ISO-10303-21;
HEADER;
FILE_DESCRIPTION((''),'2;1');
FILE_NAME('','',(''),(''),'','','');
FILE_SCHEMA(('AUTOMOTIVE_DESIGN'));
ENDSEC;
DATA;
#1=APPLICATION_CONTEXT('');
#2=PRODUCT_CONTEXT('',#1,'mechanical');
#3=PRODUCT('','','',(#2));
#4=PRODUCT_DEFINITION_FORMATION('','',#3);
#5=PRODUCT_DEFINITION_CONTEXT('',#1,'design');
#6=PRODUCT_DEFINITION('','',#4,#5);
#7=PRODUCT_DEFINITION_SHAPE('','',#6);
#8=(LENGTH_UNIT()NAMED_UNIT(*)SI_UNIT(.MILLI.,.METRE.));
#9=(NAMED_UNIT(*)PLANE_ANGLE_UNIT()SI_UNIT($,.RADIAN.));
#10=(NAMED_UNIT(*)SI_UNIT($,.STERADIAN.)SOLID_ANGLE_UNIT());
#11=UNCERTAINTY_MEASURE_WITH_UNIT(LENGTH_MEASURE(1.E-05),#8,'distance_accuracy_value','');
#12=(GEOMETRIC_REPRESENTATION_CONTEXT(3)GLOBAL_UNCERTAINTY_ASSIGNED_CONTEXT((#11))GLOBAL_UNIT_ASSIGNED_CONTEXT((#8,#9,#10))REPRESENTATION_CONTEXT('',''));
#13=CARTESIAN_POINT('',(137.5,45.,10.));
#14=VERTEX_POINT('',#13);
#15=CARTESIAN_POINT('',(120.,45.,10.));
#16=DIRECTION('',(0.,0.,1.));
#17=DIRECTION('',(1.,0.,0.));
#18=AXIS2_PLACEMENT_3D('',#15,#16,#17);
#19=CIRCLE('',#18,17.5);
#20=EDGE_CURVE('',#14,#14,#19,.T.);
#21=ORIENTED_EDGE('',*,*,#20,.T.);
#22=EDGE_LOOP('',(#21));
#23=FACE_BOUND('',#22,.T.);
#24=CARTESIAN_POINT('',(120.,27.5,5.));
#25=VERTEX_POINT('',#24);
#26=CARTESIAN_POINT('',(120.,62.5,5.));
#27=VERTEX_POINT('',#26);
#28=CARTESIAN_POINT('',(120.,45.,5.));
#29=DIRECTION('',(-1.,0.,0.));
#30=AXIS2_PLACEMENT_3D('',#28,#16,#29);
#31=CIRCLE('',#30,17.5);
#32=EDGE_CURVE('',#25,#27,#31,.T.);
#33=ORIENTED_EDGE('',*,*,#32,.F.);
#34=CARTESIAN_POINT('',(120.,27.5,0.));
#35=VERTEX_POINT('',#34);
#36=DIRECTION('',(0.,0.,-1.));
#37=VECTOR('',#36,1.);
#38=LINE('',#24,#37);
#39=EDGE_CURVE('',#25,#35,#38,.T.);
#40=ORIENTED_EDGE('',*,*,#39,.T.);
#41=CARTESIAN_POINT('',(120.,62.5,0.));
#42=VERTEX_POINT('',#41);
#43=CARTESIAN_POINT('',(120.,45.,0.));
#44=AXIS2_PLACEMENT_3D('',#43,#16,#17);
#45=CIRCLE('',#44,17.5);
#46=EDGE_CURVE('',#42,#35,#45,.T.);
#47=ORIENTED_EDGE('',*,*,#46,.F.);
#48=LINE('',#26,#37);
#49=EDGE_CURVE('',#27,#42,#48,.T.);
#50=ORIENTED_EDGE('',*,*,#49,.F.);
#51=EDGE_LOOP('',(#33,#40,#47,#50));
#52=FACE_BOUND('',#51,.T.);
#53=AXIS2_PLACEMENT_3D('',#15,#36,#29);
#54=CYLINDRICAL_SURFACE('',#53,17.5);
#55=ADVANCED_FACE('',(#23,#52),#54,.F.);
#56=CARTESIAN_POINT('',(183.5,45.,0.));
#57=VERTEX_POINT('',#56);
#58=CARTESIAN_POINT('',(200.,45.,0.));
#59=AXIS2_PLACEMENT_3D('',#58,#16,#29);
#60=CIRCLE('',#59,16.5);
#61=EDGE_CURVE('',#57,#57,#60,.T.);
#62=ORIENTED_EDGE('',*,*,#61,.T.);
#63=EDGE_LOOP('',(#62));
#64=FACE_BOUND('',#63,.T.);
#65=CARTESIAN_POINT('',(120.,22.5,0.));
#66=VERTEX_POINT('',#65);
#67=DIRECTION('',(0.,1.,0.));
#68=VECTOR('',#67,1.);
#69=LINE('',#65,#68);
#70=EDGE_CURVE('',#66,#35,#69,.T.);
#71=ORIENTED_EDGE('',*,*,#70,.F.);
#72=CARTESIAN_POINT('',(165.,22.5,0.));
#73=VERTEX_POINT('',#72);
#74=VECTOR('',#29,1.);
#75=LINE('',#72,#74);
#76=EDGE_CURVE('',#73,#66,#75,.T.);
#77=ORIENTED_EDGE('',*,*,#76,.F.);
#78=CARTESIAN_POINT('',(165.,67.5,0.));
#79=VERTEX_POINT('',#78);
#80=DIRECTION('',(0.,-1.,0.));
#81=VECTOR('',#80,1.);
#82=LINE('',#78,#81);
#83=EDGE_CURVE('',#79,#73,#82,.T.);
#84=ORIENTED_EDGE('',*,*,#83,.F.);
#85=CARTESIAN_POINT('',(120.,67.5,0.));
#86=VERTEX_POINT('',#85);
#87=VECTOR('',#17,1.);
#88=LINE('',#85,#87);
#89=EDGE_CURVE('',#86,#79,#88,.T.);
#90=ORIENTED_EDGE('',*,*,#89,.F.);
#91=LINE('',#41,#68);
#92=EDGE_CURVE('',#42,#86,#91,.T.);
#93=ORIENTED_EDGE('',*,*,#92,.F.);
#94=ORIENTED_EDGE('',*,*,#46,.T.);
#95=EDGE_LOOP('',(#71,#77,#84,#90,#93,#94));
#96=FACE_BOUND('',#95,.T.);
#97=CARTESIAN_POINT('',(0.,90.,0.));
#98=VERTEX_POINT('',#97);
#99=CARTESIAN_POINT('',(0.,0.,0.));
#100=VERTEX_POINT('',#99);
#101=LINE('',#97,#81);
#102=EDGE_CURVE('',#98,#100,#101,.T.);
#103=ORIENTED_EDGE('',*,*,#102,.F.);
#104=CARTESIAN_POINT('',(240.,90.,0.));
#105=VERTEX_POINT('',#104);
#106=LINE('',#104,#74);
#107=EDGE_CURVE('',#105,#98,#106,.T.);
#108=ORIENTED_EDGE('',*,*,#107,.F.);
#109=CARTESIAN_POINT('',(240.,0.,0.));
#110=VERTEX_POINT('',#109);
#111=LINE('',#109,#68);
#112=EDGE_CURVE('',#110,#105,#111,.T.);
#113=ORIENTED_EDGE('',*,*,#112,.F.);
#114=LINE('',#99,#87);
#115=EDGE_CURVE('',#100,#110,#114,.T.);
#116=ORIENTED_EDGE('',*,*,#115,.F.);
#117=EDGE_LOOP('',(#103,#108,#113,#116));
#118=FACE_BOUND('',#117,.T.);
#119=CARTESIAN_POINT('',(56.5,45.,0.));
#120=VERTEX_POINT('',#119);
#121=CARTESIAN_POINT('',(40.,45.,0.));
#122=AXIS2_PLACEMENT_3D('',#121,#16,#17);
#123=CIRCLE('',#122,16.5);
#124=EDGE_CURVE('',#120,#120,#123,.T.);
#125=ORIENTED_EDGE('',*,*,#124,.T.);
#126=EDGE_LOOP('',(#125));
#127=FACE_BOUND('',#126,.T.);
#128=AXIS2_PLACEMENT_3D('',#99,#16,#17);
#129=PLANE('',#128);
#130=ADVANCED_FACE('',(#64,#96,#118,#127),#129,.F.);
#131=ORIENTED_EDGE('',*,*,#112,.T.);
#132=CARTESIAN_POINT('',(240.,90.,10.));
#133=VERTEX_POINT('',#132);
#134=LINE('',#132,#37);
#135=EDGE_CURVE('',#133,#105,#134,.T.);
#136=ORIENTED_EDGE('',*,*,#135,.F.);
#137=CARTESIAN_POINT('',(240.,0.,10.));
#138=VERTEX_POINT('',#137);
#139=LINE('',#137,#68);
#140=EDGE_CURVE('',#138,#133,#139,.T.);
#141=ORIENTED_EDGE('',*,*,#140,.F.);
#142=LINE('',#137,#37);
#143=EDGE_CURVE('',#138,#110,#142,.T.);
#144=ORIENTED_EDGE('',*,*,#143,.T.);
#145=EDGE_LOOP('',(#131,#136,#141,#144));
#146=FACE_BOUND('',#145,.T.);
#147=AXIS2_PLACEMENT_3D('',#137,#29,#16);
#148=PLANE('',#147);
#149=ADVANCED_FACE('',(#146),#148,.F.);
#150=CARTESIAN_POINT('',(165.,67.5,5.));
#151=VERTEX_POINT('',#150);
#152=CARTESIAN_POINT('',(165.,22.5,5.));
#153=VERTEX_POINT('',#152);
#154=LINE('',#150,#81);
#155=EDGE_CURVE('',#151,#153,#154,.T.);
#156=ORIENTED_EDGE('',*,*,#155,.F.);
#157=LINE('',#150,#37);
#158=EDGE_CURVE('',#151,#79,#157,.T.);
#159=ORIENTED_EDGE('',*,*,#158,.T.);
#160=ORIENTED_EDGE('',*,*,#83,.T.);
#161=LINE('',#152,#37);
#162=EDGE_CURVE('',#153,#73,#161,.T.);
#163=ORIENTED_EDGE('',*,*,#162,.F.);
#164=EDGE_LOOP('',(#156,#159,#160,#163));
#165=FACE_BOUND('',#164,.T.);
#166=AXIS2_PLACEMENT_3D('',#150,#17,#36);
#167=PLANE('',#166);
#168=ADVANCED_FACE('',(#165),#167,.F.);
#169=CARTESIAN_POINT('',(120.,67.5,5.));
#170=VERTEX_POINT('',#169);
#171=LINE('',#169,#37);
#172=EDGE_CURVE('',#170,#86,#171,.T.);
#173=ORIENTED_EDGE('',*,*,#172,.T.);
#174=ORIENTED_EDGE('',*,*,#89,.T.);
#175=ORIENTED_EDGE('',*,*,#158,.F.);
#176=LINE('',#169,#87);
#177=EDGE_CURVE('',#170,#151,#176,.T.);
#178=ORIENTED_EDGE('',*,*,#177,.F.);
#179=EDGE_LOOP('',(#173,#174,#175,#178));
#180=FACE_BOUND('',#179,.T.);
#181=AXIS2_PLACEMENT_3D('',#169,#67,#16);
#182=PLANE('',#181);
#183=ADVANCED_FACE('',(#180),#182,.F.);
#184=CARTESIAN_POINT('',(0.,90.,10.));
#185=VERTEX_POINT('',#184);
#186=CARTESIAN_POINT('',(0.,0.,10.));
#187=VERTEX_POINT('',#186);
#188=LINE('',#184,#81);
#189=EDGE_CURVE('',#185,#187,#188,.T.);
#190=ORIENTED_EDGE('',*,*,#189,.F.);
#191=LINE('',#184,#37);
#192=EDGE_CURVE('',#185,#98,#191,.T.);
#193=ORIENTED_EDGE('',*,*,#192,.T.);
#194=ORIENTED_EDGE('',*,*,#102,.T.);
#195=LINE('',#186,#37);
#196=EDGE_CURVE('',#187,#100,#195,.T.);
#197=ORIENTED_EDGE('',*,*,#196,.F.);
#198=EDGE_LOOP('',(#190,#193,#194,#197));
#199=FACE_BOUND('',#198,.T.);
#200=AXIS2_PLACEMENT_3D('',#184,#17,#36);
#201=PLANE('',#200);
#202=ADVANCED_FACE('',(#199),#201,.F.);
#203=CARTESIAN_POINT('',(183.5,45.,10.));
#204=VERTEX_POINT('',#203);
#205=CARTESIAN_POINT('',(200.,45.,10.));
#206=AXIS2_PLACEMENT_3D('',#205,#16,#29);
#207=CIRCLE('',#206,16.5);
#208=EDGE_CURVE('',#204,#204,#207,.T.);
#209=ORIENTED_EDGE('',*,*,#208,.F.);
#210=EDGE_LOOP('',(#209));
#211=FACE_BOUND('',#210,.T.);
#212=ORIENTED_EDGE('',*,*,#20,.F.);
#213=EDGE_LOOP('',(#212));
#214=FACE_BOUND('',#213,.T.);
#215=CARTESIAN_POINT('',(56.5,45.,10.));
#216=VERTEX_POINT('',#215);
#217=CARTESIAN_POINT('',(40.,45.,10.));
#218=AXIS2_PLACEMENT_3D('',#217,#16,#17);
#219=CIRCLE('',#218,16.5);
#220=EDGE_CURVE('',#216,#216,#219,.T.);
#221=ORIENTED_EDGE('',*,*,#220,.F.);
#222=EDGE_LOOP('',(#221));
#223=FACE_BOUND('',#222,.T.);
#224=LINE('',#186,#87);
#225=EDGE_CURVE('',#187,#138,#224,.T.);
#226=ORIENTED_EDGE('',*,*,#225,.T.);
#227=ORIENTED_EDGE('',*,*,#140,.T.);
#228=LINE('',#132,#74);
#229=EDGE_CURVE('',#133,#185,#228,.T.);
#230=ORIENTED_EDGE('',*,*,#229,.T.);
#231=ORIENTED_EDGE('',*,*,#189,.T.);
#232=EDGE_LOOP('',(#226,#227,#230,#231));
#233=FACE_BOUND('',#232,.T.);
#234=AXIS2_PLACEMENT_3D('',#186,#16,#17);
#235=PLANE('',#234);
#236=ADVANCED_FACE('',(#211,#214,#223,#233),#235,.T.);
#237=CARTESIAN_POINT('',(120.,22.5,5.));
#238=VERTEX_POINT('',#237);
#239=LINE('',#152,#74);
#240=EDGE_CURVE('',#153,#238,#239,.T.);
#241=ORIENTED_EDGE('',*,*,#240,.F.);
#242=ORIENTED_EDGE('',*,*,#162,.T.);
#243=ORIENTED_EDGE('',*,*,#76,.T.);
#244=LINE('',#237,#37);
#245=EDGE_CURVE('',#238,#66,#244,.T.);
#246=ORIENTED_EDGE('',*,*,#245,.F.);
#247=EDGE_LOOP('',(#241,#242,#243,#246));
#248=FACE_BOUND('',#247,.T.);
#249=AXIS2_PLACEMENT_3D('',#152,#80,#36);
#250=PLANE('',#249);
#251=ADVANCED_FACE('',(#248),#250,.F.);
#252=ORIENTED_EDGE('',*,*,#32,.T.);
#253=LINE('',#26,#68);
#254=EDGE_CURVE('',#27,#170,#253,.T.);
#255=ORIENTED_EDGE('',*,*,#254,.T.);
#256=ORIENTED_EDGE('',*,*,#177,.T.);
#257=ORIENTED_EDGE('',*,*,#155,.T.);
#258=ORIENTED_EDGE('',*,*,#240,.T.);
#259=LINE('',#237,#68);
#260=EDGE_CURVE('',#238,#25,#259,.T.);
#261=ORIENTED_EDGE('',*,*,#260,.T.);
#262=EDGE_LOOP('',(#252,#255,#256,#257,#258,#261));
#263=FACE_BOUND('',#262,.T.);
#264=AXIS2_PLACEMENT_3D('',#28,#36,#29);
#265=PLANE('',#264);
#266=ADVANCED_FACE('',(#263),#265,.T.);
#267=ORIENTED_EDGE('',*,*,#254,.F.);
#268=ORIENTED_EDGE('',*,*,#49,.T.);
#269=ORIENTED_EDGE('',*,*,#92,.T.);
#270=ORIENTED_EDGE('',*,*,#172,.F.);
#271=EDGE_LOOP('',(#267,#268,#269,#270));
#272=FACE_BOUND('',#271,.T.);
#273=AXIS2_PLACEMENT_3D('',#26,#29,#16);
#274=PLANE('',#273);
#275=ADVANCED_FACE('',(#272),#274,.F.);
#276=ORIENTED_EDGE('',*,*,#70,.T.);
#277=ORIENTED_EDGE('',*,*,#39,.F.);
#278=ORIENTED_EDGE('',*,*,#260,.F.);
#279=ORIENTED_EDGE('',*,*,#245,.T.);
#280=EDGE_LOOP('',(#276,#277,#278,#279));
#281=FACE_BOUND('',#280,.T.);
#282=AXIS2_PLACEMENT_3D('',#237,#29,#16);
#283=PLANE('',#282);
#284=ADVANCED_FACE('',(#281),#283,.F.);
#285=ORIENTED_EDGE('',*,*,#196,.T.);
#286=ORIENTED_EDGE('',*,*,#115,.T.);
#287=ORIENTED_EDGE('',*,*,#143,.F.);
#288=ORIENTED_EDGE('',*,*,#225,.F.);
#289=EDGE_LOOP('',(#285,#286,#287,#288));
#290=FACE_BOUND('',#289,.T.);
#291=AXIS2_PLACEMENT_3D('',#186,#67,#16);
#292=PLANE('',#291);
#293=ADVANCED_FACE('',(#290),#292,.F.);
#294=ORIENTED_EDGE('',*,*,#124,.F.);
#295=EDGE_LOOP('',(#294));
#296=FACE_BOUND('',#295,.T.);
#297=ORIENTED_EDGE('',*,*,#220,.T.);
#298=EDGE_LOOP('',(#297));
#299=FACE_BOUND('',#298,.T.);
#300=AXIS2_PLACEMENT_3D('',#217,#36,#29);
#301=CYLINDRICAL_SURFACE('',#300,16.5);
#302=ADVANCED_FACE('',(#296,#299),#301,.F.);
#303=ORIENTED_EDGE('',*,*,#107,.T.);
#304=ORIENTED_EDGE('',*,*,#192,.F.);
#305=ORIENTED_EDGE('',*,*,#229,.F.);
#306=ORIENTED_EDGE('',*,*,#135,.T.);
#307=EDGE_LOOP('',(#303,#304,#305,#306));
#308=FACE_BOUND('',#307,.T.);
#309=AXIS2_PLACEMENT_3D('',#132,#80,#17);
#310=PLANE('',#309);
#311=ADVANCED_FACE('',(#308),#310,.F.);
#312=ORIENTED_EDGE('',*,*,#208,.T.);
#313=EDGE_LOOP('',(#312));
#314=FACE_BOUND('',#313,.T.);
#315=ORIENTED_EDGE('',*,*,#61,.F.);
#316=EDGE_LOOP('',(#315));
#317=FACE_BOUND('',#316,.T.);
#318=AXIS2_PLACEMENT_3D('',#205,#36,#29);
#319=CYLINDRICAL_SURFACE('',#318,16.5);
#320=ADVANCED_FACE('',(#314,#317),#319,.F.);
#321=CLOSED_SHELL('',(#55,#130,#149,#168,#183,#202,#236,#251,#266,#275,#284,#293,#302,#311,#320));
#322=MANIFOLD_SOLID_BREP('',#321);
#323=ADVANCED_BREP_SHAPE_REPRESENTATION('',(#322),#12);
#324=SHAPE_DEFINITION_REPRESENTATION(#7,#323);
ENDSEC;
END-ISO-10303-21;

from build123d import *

# Parameters (mm, degrees)
CROQUIS1_W              = 240
CROQUIS1_H              = 90
CROQUIS1_R              = 17.5
CROQUIS1_R_2            = 16.5
SALIENTE_EXTRUIR1_DEPTH = 10
CORTAR_EXTRUIR1_DEPTH   = 5


with BuildPart() as part:
    # Croquis1 → Saliente-Extruir1 (new body)
    with BuildSketch(Plane.XY):
        with Locations((120, 45)):
            Rectangle(CROQUIS1_W, CROQUIS1_H)
        with Locations((120, 45)):
            Circle(CROQUIS1_R, mode=Mode.SUBTRACT)
        with Locations((40, 45)):
            Circle(CROQUIS1_R_2, mode=Mode.SUBTRACT)
        with Locations(Location((200, 45, 0), (0, 0, 180))):
            Circle(CROQUIS1_R_2, mode=Mode.SUBTRACT)
    extrude(amount=SALIENTE_EXTRUIR1_DEPTH)

    # Croquis2 → Cortar-Extruir1 (cut)
    with BuildSketch(Plane(origin=(0, 0, 0), x_dir=(-1, 0, 0), z_dir=(0, 0, -1))):
        with BuildLine():
            Line((-120, 62.5), (-120, 67.5))
            Line((-120, 67.5), (-165, 67.5))
            Line((-165, 67.5), (-165, 22.5))
            Line((-165, 22.5), (-120, 22.5))
            Line((-120, 22.5), (-120, 27.5))
            ThreePointArc((-120, 27.5), (-137.5, 45), (-120, 62.5))
        make_face()
    extrude(amount=-CORTAR_EXTRUIR1_DEPTH, mode=Mode.SUBTRACT)


solid = part.part
